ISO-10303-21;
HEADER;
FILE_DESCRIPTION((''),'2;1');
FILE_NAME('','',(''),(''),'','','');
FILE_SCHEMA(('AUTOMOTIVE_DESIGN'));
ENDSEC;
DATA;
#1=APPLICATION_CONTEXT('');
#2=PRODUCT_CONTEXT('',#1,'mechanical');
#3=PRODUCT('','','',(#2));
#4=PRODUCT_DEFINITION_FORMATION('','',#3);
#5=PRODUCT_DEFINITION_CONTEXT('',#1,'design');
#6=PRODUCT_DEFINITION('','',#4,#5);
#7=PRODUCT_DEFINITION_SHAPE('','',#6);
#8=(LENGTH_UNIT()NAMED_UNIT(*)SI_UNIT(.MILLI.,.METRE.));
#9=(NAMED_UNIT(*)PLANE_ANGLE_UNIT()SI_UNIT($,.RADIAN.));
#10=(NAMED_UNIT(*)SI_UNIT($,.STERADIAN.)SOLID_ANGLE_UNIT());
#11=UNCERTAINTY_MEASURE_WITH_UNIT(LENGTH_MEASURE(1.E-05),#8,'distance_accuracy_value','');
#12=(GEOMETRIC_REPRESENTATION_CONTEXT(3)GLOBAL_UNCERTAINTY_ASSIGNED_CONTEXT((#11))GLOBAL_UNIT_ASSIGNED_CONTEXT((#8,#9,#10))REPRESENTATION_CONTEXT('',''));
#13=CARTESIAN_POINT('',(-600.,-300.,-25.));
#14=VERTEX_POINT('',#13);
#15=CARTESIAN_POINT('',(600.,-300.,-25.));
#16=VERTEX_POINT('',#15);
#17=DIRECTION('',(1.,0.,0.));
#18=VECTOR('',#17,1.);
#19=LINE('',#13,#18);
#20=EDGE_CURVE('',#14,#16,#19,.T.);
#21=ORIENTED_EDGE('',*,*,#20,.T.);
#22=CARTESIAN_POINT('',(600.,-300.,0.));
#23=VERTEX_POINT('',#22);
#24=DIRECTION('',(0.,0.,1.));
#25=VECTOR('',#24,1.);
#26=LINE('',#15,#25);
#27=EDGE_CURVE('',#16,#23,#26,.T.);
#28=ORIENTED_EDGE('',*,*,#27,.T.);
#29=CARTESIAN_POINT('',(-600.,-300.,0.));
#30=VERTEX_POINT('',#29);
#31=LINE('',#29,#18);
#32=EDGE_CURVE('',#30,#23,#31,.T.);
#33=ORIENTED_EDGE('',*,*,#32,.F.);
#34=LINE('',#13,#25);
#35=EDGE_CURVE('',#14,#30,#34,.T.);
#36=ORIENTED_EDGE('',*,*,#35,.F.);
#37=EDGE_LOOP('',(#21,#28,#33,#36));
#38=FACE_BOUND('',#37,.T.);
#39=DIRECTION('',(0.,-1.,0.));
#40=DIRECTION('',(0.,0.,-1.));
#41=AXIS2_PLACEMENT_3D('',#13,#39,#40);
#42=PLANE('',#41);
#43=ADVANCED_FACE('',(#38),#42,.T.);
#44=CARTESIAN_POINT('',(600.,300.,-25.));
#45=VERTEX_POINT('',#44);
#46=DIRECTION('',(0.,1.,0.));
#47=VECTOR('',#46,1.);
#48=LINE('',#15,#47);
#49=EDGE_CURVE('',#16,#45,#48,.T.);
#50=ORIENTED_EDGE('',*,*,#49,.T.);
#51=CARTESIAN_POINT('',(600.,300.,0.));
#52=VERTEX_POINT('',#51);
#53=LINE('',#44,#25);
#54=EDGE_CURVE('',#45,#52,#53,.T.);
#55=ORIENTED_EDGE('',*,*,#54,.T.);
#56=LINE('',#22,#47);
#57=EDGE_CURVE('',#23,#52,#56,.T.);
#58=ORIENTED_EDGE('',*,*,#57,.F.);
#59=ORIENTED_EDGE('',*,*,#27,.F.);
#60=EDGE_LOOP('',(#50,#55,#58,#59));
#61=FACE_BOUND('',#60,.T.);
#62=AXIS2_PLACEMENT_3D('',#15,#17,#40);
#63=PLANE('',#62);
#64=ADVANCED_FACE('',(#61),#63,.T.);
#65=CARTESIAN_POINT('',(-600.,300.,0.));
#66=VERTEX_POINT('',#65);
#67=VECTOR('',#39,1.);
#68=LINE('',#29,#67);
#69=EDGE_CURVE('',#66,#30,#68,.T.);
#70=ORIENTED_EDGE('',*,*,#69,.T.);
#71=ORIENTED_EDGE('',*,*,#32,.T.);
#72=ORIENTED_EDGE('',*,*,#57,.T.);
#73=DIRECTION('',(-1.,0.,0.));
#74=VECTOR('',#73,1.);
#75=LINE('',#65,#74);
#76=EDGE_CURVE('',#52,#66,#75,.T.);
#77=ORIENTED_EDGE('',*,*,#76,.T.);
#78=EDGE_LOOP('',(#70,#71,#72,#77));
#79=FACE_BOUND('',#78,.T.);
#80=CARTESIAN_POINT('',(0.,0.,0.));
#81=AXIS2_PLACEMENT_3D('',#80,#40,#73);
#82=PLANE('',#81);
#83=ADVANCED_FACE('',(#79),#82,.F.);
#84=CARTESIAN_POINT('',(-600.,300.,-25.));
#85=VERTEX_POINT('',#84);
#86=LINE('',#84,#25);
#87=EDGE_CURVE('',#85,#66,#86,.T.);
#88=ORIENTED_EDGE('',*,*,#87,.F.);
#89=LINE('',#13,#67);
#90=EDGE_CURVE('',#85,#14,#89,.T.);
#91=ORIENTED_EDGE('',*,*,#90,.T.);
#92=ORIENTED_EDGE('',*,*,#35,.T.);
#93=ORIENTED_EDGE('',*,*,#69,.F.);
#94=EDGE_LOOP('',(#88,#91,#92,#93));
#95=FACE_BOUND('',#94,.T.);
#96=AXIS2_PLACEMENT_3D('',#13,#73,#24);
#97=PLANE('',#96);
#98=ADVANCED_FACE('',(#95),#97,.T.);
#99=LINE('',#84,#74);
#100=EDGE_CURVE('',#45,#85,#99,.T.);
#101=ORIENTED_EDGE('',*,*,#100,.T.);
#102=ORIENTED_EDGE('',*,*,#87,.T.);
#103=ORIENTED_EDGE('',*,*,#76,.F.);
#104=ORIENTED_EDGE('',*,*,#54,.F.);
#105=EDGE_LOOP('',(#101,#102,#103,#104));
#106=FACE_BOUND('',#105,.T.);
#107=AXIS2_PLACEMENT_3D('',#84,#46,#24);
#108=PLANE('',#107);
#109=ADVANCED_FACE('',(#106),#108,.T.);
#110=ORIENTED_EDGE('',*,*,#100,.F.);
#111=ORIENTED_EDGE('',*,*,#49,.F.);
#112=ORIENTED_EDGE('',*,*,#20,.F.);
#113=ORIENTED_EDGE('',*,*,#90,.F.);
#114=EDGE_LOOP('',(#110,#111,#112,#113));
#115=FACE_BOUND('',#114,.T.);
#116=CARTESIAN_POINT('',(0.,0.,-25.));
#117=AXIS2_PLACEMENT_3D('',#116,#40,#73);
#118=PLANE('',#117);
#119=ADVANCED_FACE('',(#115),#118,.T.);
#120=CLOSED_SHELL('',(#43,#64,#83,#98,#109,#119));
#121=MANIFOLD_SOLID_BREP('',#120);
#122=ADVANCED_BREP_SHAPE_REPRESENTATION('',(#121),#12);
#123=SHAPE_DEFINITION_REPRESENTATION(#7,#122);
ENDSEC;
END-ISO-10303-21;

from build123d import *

# Parameters (mm, degrees)
SKETCH1_W           = 1200
SKETCH1_H           = 600
BOSS_EXTRUDE1_DEPTH = 25


with BuildPart() as part:
    # Sketch1 → Boss-Extrude1 (new body)
    with BuildSketch(Plane.XY):
        Rectangle(SKETCH1_W, SKETCH1_H)
    extrude(amount=-BOSS_EXTRUDE1_DEPTH)


solid = part.part
